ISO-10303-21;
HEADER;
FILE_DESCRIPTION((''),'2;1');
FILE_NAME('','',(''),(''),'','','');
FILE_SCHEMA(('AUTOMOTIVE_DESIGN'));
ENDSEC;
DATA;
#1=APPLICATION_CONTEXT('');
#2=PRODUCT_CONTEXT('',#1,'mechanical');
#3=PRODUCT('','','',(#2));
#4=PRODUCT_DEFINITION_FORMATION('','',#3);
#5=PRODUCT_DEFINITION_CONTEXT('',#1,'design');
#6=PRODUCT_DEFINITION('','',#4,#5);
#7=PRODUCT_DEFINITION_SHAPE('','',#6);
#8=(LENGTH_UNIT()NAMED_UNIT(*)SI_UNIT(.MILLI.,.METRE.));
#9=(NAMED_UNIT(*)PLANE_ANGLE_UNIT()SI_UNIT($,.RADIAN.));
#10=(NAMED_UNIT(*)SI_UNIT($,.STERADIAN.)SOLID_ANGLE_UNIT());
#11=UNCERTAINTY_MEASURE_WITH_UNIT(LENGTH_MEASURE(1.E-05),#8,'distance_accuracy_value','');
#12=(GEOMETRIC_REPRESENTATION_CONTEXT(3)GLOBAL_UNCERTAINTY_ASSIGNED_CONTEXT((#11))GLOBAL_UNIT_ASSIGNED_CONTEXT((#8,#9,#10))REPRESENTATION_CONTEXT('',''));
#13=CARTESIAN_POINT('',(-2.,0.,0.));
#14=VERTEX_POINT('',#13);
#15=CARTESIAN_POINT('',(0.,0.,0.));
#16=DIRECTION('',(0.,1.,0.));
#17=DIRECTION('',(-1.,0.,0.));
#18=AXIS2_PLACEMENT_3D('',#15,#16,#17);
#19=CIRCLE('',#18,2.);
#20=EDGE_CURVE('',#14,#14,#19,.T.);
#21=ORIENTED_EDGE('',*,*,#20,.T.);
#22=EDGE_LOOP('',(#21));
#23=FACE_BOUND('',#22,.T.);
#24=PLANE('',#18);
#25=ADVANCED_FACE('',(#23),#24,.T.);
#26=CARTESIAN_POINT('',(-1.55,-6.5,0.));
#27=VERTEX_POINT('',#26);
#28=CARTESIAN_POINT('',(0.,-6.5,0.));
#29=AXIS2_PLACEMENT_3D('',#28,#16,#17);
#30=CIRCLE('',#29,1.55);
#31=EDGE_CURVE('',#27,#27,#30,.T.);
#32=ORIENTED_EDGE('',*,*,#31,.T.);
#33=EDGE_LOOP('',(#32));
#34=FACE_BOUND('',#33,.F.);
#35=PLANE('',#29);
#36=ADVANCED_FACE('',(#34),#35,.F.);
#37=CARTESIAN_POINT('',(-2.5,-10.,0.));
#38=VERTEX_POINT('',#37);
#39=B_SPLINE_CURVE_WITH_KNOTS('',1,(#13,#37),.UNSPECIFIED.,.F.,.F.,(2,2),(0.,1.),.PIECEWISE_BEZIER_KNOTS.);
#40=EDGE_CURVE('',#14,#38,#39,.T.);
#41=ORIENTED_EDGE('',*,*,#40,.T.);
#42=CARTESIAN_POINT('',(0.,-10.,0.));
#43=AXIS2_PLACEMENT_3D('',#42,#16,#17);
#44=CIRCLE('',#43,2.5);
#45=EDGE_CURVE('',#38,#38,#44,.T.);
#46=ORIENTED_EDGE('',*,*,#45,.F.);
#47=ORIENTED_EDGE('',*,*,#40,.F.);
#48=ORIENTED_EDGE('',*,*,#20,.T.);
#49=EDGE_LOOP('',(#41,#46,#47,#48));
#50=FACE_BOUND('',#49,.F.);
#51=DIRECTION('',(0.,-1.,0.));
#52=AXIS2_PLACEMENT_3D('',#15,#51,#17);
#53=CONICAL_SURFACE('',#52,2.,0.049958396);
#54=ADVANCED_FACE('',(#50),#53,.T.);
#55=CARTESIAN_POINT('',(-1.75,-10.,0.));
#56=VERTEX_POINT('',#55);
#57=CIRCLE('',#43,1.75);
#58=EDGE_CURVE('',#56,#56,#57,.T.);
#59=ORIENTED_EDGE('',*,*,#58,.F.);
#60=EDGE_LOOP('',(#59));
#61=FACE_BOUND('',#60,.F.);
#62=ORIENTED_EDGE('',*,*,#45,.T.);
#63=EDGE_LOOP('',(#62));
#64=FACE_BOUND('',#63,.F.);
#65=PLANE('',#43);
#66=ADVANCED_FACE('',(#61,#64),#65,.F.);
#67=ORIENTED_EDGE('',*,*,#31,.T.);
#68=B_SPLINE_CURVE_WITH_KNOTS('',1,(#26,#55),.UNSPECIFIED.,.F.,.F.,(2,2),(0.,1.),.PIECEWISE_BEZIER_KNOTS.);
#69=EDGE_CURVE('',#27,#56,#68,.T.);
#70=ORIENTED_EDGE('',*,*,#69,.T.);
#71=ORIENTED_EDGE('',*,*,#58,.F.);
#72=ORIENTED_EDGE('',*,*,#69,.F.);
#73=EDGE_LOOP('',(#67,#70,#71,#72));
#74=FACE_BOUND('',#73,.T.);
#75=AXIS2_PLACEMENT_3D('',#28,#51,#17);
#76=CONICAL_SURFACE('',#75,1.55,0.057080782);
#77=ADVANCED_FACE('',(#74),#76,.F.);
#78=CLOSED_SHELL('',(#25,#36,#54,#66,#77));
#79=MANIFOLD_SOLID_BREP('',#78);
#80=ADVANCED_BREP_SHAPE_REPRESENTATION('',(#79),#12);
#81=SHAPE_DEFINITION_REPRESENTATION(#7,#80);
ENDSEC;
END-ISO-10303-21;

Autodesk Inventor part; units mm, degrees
ref_plane "YZ Plane" through (0, 0, 0) normal (1, 0, 0) x (0, 1, 0)
ref_plane "XY Plane" through (0, 0, 0) normal (0, 0, 1) x (1, 0, 0)
sketch "Sketch1" plane through (0, 0, 0) normal (0, 1, 0) x (-1, 0, 0)
  circle A0 centre (0, 0) radius 2
  dimension "d0" = 4
ref_plane "Work Plane1" through (0, -10, 0) normal (0, 1, 0) x (-1, 0, 0)
sketch "Sketch2" plane through (0, -10, 0) normal (0, 1, 0) x (-1, 0, 0)
  circle A0 centre (0, 0) radius 2.5
  dimension "d2" = 5
ref_plane "Work Plane2" through (0, -6.5, 0) normal (0, 1, 0) x (-1, 0, 0)
sketch "Sketch3" plane through (0, -6.5, 0) normal (0, 1, 0) x (-1, 0, 0)
  circle A0 centre (0, 0) radius 1.55
  dimension "d5" = 3.1
loft "Loft1" add profiles "Sketch1", "Sketch2"
sketch "Sketch5" plane through (0, -10, 0) normal (0, -1, 0) x (1, 0, 0)
  circle A0 centre (0, 0) radius 1.75
  dimension "d10" = 3.5
loft "Loft2" cut profiles "Sketch3", "Sketch5"
properties part number "button_ext_SD"
